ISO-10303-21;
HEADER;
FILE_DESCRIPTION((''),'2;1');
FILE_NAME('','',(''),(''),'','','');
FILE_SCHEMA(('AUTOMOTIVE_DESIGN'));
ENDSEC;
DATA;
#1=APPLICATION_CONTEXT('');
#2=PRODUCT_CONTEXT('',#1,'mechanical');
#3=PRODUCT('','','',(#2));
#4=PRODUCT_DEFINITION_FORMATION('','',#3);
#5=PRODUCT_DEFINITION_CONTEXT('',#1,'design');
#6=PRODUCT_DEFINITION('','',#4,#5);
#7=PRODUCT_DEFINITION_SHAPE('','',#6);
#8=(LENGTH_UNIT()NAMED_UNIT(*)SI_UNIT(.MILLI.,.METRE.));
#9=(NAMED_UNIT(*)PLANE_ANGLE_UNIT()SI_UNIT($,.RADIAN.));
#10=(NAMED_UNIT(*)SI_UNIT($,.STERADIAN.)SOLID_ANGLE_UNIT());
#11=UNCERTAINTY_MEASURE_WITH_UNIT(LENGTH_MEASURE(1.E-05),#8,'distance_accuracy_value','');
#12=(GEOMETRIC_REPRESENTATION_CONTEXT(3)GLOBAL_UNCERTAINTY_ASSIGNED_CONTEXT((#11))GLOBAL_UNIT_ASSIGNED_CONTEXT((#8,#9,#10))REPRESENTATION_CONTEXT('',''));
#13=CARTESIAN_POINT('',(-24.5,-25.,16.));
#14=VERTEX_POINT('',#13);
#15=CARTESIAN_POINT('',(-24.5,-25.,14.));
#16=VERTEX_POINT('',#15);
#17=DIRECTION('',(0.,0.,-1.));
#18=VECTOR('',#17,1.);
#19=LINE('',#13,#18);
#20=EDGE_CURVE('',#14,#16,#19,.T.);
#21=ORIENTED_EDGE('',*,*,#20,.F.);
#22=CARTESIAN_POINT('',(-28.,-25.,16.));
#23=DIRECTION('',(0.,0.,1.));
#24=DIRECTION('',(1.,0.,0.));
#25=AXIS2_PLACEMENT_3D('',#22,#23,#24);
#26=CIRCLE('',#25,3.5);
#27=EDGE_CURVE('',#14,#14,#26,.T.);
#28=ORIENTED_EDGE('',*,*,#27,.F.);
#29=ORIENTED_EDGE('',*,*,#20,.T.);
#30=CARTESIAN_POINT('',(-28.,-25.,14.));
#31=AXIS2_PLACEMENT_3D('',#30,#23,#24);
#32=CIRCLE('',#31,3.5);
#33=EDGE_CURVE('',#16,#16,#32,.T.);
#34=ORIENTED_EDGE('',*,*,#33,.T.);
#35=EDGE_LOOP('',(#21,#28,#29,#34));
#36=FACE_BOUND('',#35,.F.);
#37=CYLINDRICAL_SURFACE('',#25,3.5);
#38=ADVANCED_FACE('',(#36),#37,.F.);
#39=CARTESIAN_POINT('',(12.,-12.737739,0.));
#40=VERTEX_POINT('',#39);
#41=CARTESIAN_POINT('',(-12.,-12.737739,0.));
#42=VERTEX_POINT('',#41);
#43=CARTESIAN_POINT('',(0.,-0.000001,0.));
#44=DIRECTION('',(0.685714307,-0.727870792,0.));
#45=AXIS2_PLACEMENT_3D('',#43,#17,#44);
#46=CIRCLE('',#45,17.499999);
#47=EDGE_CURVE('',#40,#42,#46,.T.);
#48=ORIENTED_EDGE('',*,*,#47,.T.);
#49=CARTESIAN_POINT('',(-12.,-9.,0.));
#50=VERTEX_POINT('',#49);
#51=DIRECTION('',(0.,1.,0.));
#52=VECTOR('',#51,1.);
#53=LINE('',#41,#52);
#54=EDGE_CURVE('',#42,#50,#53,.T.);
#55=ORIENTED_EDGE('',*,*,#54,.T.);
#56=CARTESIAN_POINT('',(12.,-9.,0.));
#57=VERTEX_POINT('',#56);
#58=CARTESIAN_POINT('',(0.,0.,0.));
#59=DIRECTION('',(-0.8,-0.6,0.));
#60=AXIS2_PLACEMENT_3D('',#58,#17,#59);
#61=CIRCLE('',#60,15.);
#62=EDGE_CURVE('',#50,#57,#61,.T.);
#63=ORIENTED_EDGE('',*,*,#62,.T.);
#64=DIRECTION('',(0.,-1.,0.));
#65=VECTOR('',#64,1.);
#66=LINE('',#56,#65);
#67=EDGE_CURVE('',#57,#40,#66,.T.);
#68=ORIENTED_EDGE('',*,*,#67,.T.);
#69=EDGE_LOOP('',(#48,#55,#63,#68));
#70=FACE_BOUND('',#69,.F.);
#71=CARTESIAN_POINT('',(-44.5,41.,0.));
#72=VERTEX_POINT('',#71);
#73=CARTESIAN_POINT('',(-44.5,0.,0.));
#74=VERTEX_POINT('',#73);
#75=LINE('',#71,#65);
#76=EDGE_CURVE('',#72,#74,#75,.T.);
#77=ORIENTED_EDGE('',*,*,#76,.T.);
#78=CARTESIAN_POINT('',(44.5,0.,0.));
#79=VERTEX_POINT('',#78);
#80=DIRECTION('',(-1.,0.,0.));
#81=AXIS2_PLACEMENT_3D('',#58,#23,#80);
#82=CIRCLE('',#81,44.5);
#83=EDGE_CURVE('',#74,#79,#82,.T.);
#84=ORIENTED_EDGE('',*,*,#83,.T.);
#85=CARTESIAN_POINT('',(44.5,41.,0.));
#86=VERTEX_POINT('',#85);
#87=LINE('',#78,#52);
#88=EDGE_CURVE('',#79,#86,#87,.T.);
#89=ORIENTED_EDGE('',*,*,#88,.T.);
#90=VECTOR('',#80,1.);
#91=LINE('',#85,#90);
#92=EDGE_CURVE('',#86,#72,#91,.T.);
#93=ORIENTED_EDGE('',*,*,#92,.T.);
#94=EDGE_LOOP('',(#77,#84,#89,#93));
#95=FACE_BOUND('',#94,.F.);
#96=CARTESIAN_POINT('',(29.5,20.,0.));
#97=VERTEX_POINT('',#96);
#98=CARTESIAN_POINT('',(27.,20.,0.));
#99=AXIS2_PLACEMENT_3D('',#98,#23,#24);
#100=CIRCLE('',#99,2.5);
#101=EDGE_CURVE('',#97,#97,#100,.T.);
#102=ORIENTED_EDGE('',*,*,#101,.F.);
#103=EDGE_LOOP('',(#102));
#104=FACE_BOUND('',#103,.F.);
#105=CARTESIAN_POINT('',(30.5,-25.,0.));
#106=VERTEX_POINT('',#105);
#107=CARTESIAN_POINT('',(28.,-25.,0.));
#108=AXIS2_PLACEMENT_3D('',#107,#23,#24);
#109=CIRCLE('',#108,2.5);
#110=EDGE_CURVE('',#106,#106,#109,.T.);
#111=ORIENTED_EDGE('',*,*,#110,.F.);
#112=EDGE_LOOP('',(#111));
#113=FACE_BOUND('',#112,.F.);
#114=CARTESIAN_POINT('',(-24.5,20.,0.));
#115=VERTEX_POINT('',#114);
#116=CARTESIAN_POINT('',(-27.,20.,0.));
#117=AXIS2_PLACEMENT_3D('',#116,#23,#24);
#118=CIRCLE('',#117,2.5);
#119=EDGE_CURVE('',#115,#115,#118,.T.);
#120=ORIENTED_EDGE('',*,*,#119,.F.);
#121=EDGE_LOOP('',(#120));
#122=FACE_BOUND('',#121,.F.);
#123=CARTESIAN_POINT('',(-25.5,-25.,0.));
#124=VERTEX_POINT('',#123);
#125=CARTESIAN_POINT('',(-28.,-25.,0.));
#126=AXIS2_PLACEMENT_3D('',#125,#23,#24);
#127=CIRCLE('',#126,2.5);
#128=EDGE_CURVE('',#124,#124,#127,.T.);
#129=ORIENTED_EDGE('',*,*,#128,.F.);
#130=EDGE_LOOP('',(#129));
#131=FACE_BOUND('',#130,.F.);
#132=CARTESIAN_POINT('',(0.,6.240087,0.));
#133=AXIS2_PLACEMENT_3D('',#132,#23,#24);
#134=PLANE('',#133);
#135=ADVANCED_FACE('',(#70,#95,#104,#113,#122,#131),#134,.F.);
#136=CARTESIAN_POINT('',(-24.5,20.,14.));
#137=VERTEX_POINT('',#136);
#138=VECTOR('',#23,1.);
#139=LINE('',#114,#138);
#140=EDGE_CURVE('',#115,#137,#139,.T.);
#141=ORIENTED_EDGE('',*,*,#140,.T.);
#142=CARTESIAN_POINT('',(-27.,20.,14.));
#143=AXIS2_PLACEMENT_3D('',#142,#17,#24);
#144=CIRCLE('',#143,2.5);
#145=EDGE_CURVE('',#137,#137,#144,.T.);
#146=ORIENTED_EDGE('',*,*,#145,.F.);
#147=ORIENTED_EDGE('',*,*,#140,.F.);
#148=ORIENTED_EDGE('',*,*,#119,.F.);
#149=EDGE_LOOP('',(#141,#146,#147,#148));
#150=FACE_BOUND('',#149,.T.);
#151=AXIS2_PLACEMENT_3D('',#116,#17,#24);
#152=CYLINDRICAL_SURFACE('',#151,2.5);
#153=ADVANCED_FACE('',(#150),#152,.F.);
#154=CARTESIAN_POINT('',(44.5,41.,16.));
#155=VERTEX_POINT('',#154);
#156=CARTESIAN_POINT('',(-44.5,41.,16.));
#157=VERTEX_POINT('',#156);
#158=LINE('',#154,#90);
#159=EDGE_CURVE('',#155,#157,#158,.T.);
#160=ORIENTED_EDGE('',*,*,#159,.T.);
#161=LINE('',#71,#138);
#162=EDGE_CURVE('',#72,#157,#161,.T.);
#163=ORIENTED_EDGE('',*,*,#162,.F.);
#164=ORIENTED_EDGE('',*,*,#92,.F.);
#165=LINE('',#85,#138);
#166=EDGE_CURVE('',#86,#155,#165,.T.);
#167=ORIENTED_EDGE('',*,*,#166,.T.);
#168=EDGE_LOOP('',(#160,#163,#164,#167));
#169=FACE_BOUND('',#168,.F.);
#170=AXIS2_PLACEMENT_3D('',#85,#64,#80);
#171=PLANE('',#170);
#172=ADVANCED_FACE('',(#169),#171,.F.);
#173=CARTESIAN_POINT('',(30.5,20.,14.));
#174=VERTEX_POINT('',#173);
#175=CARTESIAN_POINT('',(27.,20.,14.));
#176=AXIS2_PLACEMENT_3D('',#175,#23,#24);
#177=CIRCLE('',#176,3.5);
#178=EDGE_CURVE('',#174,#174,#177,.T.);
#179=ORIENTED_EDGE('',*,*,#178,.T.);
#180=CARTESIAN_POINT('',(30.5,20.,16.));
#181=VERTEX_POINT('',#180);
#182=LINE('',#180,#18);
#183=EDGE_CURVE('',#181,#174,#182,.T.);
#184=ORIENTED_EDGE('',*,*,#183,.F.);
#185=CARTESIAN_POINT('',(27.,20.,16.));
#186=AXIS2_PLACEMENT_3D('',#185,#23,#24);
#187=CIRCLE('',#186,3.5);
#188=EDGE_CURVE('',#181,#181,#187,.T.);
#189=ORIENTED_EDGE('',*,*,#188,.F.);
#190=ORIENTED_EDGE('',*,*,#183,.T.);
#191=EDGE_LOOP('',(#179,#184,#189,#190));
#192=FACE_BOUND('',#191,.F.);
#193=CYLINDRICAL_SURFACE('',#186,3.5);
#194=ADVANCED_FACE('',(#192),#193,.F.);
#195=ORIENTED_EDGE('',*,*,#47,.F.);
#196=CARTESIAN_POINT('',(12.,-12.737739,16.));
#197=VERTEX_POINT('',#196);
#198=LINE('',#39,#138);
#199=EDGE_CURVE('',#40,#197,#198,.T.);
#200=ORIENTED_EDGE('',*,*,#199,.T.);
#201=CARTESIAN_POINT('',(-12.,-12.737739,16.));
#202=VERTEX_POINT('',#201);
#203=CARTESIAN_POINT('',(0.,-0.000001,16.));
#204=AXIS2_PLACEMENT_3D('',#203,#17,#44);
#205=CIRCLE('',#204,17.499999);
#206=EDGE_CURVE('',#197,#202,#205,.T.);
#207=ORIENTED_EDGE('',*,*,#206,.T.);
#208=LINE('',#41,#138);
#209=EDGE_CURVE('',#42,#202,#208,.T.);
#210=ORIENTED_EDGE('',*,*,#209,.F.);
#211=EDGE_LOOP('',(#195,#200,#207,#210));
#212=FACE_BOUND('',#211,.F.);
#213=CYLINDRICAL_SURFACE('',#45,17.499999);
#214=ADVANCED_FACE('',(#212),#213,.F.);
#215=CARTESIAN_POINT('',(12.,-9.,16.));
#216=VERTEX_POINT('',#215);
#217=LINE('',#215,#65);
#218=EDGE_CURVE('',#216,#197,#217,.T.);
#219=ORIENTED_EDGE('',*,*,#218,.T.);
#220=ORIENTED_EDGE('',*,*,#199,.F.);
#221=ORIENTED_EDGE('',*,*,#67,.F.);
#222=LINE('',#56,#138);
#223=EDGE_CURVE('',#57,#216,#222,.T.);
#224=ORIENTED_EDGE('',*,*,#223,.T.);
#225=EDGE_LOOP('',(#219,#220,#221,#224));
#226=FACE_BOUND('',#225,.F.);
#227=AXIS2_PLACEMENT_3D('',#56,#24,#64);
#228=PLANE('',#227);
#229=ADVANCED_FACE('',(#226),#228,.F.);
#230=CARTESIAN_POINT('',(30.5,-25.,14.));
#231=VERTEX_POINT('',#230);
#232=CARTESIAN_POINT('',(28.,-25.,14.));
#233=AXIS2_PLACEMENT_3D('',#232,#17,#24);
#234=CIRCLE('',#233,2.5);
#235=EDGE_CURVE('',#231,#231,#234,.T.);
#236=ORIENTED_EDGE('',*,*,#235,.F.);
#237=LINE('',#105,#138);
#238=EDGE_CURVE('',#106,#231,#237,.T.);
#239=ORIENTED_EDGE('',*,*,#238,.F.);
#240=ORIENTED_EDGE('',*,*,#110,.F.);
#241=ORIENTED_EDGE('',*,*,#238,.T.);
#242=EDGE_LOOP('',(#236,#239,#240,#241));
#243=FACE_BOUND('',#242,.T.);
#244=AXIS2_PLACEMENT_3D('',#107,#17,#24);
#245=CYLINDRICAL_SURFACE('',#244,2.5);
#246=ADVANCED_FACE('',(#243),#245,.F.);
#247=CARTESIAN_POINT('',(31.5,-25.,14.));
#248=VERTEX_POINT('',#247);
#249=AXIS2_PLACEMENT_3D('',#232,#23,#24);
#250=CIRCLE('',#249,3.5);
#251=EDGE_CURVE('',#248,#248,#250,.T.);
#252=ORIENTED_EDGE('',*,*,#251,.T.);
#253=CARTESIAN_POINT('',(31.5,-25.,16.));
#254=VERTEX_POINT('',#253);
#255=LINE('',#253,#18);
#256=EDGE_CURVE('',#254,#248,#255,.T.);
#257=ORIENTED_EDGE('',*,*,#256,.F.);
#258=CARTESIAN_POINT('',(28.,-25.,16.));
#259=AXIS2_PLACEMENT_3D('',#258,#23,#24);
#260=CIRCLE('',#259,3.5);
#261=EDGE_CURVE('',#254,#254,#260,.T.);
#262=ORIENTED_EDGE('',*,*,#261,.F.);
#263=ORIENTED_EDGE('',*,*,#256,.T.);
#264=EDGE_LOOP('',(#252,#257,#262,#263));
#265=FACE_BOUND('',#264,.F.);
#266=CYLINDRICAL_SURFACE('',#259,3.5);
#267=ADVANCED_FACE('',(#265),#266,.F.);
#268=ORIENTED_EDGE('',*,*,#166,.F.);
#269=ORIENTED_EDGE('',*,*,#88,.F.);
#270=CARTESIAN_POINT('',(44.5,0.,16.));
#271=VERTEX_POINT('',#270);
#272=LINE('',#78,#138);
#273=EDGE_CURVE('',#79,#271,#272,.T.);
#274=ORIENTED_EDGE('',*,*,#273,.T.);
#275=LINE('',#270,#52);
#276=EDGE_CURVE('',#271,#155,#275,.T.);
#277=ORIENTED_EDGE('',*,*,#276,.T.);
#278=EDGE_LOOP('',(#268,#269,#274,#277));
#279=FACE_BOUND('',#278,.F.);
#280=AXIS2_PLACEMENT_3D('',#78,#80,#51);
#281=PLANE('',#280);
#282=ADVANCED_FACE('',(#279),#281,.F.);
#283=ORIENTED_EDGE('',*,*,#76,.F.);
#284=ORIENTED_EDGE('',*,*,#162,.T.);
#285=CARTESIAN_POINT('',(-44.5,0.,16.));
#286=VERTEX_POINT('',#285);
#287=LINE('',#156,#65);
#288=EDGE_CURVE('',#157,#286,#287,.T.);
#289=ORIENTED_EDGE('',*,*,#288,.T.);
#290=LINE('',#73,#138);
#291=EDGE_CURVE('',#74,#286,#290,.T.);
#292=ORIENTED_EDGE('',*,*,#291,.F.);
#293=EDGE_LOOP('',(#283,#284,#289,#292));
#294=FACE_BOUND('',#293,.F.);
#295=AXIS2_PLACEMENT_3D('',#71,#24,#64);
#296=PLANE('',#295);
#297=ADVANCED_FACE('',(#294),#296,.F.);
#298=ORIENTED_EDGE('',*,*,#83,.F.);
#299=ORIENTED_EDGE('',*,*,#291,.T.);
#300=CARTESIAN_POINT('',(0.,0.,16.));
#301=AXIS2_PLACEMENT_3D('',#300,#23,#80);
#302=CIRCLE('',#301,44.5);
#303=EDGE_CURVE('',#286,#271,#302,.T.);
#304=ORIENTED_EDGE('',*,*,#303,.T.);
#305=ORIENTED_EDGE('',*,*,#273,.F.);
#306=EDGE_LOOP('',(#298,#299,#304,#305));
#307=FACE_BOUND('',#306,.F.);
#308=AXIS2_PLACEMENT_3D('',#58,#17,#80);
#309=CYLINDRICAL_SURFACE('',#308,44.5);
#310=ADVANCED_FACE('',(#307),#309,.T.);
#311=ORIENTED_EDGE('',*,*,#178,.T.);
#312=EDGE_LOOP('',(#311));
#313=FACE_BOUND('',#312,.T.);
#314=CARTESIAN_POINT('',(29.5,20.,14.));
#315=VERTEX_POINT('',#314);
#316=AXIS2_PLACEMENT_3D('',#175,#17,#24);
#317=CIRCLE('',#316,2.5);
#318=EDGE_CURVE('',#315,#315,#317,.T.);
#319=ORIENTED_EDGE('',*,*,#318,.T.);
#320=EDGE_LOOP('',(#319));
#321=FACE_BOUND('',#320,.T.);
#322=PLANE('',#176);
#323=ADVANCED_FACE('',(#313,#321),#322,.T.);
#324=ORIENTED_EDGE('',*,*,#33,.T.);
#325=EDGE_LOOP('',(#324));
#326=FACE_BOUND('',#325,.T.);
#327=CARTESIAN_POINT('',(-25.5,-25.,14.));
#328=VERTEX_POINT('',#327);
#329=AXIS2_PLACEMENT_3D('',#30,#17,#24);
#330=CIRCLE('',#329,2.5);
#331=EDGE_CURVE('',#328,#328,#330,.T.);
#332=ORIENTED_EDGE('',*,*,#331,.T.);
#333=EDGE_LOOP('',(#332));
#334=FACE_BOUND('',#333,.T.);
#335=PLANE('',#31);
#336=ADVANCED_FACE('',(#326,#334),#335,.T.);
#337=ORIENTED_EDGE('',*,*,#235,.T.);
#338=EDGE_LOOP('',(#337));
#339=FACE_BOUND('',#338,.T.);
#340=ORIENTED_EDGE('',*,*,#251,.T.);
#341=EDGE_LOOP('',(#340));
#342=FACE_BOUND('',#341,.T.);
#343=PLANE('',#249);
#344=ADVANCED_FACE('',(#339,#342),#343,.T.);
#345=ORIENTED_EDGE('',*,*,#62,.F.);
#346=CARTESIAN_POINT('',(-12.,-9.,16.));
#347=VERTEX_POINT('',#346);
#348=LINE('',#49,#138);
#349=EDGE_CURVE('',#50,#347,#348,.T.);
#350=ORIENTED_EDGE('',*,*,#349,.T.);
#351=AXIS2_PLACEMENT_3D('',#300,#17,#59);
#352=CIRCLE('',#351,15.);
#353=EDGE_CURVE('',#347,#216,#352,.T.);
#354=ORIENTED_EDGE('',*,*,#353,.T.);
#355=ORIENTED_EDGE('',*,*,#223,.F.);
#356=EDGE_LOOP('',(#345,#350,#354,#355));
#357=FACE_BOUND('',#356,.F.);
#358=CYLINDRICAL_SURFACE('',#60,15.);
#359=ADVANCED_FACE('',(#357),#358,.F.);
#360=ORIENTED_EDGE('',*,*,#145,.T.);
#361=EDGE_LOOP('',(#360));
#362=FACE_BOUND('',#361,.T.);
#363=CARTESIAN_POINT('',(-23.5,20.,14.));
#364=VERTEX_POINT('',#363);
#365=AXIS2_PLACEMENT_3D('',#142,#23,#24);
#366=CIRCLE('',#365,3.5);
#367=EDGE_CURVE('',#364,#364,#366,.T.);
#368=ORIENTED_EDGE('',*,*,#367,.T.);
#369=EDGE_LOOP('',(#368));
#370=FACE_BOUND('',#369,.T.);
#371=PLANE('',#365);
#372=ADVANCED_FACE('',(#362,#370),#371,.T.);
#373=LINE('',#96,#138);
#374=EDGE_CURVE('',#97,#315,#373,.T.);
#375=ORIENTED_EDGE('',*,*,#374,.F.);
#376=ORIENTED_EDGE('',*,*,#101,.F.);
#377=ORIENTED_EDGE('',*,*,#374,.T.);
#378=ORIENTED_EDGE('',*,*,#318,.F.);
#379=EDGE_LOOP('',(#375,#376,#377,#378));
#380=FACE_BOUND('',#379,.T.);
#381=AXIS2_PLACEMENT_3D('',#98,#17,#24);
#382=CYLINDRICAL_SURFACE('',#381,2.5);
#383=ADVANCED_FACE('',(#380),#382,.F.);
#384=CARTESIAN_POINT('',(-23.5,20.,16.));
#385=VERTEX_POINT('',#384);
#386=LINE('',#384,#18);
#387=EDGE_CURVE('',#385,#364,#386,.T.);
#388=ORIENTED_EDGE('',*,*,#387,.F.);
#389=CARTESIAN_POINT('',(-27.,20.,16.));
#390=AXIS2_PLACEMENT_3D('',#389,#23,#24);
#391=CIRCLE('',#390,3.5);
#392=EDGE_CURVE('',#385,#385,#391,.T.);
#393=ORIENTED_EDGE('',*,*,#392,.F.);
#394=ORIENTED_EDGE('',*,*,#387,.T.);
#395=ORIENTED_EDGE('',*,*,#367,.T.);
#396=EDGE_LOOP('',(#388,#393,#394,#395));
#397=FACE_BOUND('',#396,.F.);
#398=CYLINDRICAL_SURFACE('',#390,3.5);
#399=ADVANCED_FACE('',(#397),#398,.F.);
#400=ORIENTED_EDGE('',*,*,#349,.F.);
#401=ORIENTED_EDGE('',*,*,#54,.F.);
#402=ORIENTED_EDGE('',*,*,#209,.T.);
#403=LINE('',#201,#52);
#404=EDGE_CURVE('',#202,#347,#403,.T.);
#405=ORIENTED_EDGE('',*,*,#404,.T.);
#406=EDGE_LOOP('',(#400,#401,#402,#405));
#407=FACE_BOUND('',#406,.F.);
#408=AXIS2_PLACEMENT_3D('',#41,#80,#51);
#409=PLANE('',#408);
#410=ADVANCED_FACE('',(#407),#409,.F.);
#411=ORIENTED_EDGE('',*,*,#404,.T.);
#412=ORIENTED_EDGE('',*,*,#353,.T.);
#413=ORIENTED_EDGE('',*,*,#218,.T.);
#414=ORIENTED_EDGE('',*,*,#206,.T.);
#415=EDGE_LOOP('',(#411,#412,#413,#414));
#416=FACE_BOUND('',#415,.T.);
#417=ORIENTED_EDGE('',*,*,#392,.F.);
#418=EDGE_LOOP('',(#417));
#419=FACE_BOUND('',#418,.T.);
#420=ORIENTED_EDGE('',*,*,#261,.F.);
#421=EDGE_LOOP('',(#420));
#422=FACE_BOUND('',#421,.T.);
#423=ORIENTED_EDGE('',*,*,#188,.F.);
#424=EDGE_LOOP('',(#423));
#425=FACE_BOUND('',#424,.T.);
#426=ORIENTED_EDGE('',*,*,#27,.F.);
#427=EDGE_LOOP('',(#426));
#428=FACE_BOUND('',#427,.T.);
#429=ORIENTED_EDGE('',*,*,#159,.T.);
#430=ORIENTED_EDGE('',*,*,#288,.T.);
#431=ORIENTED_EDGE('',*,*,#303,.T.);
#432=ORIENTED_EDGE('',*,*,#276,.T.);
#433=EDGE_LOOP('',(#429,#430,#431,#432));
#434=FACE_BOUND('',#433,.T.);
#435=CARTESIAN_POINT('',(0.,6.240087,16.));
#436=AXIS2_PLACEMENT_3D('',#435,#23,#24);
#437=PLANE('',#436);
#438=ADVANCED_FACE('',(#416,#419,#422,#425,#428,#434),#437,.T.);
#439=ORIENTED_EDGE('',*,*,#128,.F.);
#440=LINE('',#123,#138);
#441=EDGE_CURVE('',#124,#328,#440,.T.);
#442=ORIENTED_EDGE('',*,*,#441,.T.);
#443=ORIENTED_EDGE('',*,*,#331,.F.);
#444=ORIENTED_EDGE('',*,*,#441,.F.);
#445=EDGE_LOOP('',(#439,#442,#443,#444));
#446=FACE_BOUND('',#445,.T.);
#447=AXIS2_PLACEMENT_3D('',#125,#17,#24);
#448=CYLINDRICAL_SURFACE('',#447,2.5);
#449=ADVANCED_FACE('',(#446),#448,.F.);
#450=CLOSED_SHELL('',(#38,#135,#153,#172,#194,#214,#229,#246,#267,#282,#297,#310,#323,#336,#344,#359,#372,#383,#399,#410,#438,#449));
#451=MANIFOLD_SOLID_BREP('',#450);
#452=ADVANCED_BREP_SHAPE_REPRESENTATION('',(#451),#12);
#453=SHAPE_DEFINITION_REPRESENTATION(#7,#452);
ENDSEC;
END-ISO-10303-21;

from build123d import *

# Parameters (mm, degrees)
F0_R     = 2.5
F1_DEPTH = 16
F2_R     = 3.5
F3_DEPTH = 2


with BuildPart() as f1:
    # F0 (on Top) → F1 (new body)
    with BuildSketch(Plane.XY):
        with BuildLine():
            Line((44.5, 41), (-44.5, 41))
            Line((-44.5, 41), (-44.5, 0))
            ThreePointArc((-44.5, 0), (0, -44.5), (44.5, 0))
            Line((44.5, 0), (44.5, 41))
        make_face()
        with Locations((-28, -25)):
            Circle(F0_R, mode=Mode.SUBTRACT)
        with Locations((28, -25)):
            Circle(F0_R, mode=Mode.SUBTRACT)
        with Locations((-27, 20)):
            Circle(F0_R, mode=Mode.SUBTRACT)
        with BuildLine():
            ThreePointArc((-12, -9), (0, 15), (12, -9))
            Line((12, -9), (12, -12.737739))
            ThreePointArc((12, -12.737739), (0, -17.5), (-12, -12.737739))
            Line((-12, -12.737739), (-12, -9))
        make_face(mode=Mode.SUBTRACT)
        with Locations((27, 20)):
            Circle(F0_R, mode=Mode.SUBTRACT)
    extrude(amount=F1_DEPTH)

    # F2 (on face) → F3 (cut)
    with BuildSketch(Plane.XY.offset(16)):
        with Locations((-27, 20)):
            Circle(F2_R)
        with Locations((-28, -25)):
            Circle(F2_R)
        with Locations((27, 20)):
            Circle(F2_R)
        with Locations((28, -25)):
            Circle(F2_R)
    extrude(amount=-F3_DEPTH, mode=Mode.SUBTRACT)


solid = f1.part
